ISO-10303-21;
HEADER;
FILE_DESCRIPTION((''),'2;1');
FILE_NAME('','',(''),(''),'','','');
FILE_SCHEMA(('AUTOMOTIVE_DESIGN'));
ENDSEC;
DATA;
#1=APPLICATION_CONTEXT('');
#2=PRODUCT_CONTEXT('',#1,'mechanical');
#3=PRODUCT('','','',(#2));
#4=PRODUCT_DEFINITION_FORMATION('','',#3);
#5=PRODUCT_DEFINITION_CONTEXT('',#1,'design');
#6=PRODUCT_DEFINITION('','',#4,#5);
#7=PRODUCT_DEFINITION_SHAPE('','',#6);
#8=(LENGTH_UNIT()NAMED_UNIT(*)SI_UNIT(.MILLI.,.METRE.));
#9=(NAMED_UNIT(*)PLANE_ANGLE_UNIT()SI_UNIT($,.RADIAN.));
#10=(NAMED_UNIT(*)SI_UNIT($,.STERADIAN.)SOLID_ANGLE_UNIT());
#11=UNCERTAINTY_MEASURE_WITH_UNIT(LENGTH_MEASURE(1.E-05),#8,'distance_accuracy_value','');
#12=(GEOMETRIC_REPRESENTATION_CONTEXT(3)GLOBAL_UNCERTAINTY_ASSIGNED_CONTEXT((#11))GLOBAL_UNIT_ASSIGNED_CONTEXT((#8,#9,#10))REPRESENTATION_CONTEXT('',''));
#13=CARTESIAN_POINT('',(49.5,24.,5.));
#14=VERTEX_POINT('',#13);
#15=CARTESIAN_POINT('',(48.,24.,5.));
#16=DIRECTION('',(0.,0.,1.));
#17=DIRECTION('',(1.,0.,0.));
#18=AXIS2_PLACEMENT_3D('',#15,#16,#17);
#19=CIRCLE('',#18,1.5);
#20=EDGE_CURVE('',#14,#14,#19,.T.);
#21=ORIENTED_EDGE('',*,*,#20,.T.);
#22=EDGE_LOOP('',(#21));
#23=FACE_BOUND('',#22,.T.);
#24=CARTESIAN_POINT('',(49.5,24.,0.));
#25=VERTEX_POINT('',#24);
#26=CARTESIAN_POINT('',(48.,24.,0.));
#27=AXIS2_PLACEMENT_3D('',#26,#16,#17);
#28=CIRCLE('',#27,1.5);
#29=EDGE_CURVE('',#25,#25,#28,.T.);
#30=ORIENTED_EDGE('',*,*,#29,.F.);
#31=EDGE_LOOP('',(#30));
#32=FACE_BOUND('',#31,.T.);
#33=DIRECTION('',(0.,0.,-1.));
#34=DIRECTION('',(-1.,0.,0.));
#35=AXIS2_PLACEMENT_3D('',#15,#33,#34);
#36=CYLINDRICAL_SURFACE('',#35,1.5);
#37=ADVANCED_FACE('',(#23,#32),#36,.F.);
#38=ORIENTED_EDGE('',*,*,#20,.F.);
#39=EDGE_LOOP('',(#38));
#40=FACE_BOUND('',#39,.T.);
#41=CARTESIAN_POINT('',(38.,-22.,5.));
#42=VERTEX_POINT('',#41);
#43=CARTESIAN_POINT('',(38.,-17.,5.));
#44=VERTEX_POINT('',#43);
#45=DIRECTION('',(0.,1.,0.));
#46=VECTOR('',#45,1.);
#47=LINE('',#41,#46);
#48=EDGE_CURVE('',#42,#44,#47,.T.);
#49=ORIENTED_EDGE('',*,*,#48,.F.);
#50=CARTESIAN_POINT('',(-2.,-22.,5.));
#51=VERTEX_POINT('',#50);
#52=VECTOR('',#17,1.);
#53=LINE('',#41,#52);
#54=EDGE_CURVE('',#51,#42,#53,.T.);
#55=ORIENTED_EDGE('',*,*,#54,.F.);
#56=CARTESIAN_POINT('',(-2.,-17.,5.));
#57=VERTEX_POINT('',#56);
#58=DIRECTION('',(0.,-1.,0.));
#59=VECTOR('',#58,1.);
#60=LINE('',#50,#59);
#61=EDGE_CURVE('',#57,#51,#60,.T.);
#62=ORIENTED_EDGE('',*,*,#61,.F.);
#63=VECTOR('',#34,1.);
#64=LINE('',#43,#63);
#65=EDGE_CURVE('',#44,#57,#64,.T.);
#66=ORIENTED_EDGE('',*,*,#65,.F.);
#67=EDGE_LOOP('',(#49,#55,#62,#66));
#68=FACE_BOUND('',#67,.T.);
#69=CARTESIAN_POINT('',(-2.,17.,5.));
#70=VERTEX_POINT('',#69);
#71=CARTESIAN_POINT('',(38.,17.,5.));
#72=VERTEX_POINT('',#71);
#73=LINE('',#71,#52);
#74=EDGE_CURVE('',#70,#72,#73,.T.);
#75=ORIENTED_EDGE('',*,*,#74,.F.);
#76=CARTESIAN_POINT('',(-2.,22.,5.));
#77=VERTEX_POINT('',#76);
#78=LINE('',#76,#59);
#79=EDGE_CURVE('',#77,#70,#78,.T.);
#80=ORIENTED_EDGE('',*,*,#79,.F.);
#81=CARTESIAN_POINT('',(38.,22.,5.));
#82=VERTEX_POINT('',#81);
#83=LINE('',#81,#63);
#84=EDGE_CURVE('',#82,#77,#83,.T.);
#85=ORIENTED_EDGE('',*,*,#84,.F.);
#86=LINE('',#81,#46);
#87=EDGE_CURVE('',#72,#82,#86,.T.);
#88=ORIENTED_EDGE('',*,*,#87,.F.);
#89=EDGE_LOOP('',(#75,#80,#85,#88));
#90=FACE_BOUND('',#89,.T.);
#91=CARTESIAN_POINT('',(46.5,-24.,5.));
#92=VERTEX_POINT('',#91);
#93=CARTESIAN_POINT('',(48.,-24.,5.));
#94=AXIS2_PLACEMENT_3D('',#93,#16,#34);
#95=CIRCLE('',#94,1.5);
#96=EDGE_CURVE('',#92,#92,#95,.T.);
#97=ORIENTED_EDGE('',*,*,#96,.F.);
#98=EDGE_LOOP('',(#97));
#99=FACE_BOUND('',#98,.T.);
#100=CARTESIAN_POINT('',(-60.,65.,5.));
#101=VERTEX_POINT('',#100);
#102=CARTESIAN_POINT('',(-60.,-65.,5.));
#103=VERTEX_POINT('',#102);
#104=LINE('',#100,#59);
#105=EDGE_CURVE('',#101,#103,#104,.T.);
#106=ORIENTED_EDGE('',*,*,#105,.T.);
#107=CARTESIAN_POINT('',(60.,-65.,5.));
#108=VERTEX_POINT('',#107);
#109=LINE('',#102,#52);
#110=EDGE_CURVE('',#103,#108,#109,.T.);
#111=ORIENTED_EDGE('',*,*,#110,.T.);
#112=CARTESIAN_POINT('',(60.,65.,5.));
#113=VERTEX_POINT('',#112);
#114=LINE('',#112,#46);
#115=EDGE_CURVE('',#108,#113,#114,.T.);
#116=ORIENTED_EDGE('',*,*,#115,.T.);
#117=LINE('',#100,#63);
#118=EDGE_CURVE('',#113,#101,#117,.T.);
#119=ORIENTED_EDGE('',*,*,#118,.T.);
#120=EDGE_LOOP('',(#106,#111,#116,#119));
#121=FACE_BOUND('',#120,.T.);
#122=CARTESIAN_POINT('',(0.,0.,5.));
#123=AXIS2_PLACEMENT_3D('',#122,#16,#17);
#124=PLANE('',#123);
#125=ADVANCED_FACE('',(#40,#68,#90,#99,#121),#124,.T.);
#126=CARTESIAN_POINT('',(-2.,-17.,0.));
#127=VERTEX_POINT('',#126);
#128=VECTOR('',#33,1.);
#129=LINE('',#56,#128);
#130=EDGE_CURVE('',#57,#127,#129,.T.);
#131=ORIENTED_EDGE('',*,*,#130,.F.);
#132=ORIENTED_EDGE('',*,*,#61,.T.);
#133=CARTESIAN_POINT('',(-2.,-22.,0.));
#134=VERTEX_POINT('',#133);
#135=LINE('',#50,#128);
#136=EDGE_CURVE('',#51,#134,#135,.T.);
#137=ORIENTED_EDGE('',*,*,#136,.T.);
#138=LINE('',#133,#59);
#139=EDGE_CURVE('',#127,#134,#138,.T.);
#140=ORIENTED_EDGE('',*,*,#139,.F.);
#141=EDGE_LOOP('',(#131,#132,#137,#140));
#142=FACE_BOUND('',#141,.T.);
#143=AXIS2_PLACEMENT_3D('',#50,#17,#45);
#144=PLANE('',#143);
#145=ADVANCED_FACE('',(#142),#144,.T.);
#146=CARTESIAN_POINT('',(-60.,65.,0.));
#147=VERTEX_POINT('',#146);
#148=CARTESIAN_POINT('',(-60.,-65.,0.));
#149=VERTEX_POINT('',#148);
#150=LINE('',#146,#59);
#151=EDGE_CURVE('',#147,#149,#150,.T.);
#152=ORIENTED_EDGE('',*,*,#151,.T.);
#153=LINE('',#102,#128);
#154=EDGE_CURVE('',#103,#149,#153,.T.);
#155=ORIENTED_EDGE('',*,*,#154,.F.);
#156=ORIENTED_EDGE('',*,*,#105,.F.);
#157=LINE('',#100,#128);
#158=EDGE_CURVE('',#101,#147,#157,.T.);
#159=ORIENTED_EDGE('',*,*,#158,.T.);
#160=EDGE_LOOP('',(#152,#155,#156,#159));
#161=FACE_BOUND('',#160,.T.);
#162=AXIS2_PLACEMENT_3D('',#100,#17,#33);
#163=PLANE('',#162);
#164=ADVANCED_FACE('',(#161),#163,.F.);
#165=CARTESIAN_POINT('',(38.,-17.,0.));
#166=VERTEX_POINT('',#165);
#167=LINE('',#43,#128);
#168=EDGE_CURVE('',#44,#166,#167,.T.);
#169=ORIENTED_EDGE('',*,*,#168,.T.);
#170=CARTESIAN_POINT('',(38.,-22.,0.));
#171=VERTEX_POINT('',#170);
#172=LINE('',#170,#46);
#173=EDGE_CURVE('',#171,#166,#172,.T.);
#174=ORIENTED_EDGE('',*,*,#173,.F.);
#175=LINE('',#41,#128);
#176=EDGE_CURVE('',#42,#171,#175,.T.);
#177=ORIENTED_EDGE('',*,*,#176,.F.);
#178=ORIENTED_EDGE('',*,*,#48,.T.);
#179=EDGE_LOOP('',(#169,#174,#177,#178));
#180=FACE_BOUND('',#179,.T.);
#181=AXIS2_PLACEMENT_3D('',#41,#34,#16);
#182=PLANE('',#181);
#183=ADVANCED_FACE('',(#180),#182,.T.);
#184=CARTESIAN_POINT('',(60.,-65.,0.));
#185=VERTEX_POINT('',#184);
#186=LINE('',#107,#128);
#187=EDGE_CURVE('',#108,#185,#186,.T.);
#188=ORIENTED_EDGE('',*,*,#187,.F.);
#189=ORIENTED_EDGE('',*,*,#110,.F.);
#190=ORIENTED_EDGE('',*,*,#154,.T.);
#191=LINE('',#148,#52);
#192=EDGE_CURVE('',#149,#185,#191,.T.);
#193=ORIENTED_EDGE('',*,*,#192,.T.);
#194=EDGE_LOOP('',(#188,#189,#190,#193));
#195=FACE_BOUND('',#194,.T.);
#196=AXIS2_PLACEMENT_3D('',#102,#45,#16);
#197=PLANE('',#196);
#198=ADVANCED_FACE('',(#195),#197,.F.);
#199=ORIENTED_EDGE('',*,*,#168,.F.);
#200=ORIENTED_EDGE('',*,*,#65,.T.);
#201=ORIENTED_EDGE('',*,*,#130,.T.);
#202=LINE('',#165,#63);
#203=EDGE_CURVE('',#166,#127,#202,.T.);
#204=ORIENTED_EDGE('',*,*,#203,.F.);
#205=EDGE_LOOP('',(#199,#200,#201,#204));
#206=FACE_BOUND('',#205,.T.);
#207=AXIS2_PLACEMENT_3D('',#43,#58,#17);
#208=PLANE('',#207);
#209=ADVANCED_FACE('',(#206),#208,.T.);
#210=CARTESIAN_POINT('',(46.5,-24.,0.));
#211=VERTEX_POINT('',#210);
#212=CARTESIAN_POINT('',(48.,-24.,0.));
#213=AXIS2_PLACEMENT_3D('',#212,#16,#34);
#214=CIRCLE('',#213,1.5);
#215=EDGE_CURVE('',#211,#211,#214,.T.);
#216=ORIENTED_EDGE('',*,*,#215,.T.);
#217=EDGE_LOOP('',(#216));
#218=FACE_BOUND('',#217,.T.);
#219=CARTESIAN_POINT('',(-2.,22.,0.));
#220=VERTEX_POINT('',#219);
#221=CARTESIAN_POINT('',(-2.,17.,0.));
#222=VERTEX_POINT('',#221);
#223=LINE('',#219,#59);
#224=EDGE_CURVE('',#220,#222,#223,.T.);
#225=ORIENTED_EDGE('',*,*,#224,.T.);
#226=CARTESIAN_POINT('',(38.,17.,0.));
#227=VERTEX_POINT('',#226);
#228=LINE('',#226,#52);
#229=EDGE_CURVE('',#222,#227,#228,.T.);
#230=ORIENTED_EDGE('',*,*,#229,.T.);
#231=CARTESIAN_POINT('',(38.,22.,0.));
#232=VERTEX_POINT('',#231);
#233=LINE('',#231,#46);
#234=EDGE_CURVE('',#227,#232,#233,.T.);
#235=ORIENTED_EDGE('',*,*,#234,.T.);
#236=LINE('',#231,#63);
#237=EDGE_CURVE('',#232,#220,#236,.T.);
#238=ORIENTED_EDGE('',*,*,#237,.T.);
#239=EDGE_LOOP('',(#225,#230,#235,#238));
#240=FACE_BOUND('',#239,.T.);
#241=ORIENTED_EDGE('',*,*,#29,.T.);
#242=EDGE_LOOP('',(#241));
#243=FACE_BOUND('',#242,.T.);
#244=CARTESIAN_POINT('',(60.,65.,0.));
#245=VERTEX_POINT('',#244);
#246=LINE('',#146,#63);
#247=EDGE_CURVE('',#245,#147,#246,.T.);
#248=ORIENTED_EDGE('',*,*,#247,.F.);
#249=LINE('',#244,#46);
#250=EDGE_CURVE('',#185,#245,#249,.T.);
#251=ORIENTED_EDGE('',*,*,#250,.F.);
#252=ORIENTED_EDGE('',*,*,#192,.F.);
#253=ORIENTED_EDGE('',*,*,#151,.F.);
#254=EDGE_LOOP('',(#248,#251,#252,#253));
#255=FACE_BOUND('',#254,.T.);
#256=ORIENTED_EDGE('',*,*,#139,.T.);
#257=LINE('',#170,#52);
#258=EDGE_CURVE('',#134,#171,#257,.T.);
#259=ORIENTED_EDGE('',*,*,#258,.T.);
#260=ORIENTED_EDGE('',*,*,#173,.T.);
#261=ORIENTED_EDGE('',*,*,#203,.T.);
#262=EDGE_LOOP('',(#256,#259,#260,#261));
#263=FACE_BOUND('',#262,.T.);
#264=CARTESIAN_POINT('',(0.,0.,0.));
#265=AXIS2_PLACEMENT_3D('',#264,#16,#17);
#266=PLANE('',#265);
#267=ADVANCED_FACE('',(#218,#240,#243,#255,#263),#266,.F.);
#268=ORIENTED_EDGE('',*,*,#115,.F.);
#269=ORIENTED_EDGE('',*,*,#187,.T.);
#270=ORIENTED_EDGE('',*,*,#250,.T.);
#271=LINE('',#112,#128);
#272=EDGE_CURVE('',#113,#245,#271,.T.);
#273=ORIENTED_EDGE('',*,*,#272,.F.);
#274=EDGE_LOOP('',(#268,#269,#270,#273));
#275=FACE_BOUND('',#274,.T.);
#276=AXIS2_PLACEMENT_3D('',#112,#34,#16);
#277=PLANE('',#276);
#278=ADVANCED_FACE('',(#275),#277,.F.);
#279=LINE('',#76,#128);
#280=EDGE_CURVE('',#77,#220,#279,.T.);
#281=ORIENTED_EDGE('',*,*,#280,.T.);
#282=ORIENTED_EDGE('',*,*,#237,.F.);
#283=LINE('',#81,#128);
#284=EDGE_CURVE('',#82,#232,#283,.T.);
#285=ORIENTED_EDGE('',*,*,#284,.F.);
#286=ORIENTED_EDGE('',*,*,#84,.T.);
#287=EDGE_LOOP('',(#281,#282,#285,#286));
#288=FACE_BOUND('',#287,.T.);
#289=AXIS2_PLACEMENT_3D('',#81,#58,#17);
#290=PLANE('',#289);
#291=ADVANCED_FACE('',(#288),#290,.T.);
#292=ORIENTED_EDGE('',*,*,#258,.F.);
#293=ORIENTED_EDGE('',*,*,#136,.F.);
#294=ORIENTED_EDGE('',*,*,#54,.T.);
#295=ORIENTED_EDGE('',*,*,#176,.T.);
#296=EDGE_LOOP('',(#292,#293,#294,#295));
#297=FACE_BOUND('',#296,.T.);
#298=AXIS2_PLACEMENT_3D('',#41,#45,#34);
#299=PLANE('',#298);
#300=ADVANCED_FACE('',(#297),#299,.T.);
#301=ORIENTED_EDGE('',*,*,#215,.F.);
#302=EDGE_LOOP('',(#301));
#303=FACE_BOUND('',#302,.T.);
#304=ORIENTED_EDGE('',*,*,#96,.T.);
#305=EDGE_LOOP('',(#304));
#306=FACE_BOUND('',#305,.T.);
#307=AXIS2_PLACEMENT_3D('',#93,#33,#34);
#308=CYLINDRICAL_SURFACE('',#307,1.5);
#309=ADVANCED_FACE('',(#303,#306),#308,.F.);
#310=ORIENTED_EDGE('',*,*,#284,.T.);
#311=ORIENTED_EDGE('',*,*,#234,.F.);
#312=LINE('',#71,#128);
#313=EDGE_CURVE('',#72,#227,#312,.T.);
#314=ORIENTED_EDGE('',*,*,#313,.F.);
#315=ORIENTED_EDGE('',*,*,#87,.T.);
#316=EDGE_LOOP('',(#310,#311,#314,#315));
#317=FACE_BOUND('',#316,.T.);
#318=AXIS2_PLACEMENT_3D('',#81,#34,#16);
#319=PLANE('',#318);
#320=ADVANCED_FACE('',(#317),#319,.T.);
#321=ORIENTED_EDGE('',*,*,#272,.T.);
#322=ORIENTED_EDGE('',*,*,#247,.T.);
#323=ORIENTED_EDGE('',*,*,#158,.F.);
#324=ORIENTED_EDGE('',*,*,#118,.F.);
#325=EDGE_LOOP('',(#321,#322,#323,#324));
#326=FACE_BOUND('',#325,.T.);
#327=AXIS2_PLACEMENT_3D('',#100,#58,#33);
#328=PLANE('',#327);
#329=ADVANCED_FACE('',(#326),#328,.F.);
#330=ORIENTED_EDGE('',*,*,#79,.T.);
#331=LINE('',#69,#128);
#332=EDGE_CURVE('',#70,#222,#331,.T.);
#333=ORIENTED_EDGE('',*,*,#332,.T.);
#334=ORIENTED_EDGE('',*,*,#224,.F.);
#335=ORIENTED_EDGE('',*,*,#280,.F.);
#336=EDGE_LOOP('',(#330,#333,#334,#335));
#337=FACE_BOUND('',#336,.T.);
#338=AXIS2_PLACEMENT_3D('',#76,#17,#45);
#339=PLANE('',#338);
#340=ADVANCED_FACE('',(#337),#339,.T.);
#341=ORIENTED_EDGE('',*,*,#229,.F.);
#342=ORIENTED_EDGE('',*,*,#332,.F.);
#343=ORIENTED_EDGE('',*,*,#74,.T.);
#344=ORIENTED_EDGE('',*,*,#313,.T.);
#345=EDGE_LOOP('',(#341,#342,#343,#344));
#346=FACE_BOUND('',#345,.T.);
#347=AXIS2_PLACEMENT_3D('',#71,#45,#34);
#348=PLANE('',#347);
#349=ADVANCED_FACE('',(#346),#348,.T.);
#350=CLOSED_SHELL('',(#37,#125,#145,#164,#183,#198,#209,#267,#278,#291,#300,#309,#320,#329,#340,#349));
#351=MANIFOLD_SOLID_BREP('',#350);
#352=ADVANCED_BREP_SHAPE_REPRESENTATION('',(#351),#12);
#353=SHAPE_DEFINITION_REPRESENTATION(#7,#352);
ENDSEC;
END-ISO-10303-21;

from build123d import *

# Parameters (mm, degrees)
SKETCH2_W           = 120
SKETCH2_H           = 130
BOSS_EXTRUDE1_DEPTH = 5
SKETCH3_R           = 1.5
SKETCH3_W           = 40
SKETCH3_H           = 5
CUT_EXTRUDE1_DEPTH  = 6


with BuildPart() as part:
    # Sketch2 → Boss-Extrude1 (new body)
    with BuildSketch(Plane.XY):
        Rectangle(SKETCH2_W, SKETCH2_H)
    extrude(amount=BOSS_EXTRUDE1_DEPTH)

    # Sketch3 → Cut-Extrude1 (cut, through all)
    with BuildSketch(Plane.XY):
        with Locations((48, 24)):
            Circle(SKETCH3_R)
        with Locations((48, -24)):
            Circle(SKETCH3_R)
        with Locations((18, 19.5)):
            Rectangle(SKETCH3_W, SKETCH3_H)
        with Locations((18, -19.5)):
            Rectangle(SKETCH3_W, SKETCH3_H)
    extrude(amount=CUT_EXTRUDE1_DEPTH, mode=Mode.SUBTRACT)


solid = part.part
